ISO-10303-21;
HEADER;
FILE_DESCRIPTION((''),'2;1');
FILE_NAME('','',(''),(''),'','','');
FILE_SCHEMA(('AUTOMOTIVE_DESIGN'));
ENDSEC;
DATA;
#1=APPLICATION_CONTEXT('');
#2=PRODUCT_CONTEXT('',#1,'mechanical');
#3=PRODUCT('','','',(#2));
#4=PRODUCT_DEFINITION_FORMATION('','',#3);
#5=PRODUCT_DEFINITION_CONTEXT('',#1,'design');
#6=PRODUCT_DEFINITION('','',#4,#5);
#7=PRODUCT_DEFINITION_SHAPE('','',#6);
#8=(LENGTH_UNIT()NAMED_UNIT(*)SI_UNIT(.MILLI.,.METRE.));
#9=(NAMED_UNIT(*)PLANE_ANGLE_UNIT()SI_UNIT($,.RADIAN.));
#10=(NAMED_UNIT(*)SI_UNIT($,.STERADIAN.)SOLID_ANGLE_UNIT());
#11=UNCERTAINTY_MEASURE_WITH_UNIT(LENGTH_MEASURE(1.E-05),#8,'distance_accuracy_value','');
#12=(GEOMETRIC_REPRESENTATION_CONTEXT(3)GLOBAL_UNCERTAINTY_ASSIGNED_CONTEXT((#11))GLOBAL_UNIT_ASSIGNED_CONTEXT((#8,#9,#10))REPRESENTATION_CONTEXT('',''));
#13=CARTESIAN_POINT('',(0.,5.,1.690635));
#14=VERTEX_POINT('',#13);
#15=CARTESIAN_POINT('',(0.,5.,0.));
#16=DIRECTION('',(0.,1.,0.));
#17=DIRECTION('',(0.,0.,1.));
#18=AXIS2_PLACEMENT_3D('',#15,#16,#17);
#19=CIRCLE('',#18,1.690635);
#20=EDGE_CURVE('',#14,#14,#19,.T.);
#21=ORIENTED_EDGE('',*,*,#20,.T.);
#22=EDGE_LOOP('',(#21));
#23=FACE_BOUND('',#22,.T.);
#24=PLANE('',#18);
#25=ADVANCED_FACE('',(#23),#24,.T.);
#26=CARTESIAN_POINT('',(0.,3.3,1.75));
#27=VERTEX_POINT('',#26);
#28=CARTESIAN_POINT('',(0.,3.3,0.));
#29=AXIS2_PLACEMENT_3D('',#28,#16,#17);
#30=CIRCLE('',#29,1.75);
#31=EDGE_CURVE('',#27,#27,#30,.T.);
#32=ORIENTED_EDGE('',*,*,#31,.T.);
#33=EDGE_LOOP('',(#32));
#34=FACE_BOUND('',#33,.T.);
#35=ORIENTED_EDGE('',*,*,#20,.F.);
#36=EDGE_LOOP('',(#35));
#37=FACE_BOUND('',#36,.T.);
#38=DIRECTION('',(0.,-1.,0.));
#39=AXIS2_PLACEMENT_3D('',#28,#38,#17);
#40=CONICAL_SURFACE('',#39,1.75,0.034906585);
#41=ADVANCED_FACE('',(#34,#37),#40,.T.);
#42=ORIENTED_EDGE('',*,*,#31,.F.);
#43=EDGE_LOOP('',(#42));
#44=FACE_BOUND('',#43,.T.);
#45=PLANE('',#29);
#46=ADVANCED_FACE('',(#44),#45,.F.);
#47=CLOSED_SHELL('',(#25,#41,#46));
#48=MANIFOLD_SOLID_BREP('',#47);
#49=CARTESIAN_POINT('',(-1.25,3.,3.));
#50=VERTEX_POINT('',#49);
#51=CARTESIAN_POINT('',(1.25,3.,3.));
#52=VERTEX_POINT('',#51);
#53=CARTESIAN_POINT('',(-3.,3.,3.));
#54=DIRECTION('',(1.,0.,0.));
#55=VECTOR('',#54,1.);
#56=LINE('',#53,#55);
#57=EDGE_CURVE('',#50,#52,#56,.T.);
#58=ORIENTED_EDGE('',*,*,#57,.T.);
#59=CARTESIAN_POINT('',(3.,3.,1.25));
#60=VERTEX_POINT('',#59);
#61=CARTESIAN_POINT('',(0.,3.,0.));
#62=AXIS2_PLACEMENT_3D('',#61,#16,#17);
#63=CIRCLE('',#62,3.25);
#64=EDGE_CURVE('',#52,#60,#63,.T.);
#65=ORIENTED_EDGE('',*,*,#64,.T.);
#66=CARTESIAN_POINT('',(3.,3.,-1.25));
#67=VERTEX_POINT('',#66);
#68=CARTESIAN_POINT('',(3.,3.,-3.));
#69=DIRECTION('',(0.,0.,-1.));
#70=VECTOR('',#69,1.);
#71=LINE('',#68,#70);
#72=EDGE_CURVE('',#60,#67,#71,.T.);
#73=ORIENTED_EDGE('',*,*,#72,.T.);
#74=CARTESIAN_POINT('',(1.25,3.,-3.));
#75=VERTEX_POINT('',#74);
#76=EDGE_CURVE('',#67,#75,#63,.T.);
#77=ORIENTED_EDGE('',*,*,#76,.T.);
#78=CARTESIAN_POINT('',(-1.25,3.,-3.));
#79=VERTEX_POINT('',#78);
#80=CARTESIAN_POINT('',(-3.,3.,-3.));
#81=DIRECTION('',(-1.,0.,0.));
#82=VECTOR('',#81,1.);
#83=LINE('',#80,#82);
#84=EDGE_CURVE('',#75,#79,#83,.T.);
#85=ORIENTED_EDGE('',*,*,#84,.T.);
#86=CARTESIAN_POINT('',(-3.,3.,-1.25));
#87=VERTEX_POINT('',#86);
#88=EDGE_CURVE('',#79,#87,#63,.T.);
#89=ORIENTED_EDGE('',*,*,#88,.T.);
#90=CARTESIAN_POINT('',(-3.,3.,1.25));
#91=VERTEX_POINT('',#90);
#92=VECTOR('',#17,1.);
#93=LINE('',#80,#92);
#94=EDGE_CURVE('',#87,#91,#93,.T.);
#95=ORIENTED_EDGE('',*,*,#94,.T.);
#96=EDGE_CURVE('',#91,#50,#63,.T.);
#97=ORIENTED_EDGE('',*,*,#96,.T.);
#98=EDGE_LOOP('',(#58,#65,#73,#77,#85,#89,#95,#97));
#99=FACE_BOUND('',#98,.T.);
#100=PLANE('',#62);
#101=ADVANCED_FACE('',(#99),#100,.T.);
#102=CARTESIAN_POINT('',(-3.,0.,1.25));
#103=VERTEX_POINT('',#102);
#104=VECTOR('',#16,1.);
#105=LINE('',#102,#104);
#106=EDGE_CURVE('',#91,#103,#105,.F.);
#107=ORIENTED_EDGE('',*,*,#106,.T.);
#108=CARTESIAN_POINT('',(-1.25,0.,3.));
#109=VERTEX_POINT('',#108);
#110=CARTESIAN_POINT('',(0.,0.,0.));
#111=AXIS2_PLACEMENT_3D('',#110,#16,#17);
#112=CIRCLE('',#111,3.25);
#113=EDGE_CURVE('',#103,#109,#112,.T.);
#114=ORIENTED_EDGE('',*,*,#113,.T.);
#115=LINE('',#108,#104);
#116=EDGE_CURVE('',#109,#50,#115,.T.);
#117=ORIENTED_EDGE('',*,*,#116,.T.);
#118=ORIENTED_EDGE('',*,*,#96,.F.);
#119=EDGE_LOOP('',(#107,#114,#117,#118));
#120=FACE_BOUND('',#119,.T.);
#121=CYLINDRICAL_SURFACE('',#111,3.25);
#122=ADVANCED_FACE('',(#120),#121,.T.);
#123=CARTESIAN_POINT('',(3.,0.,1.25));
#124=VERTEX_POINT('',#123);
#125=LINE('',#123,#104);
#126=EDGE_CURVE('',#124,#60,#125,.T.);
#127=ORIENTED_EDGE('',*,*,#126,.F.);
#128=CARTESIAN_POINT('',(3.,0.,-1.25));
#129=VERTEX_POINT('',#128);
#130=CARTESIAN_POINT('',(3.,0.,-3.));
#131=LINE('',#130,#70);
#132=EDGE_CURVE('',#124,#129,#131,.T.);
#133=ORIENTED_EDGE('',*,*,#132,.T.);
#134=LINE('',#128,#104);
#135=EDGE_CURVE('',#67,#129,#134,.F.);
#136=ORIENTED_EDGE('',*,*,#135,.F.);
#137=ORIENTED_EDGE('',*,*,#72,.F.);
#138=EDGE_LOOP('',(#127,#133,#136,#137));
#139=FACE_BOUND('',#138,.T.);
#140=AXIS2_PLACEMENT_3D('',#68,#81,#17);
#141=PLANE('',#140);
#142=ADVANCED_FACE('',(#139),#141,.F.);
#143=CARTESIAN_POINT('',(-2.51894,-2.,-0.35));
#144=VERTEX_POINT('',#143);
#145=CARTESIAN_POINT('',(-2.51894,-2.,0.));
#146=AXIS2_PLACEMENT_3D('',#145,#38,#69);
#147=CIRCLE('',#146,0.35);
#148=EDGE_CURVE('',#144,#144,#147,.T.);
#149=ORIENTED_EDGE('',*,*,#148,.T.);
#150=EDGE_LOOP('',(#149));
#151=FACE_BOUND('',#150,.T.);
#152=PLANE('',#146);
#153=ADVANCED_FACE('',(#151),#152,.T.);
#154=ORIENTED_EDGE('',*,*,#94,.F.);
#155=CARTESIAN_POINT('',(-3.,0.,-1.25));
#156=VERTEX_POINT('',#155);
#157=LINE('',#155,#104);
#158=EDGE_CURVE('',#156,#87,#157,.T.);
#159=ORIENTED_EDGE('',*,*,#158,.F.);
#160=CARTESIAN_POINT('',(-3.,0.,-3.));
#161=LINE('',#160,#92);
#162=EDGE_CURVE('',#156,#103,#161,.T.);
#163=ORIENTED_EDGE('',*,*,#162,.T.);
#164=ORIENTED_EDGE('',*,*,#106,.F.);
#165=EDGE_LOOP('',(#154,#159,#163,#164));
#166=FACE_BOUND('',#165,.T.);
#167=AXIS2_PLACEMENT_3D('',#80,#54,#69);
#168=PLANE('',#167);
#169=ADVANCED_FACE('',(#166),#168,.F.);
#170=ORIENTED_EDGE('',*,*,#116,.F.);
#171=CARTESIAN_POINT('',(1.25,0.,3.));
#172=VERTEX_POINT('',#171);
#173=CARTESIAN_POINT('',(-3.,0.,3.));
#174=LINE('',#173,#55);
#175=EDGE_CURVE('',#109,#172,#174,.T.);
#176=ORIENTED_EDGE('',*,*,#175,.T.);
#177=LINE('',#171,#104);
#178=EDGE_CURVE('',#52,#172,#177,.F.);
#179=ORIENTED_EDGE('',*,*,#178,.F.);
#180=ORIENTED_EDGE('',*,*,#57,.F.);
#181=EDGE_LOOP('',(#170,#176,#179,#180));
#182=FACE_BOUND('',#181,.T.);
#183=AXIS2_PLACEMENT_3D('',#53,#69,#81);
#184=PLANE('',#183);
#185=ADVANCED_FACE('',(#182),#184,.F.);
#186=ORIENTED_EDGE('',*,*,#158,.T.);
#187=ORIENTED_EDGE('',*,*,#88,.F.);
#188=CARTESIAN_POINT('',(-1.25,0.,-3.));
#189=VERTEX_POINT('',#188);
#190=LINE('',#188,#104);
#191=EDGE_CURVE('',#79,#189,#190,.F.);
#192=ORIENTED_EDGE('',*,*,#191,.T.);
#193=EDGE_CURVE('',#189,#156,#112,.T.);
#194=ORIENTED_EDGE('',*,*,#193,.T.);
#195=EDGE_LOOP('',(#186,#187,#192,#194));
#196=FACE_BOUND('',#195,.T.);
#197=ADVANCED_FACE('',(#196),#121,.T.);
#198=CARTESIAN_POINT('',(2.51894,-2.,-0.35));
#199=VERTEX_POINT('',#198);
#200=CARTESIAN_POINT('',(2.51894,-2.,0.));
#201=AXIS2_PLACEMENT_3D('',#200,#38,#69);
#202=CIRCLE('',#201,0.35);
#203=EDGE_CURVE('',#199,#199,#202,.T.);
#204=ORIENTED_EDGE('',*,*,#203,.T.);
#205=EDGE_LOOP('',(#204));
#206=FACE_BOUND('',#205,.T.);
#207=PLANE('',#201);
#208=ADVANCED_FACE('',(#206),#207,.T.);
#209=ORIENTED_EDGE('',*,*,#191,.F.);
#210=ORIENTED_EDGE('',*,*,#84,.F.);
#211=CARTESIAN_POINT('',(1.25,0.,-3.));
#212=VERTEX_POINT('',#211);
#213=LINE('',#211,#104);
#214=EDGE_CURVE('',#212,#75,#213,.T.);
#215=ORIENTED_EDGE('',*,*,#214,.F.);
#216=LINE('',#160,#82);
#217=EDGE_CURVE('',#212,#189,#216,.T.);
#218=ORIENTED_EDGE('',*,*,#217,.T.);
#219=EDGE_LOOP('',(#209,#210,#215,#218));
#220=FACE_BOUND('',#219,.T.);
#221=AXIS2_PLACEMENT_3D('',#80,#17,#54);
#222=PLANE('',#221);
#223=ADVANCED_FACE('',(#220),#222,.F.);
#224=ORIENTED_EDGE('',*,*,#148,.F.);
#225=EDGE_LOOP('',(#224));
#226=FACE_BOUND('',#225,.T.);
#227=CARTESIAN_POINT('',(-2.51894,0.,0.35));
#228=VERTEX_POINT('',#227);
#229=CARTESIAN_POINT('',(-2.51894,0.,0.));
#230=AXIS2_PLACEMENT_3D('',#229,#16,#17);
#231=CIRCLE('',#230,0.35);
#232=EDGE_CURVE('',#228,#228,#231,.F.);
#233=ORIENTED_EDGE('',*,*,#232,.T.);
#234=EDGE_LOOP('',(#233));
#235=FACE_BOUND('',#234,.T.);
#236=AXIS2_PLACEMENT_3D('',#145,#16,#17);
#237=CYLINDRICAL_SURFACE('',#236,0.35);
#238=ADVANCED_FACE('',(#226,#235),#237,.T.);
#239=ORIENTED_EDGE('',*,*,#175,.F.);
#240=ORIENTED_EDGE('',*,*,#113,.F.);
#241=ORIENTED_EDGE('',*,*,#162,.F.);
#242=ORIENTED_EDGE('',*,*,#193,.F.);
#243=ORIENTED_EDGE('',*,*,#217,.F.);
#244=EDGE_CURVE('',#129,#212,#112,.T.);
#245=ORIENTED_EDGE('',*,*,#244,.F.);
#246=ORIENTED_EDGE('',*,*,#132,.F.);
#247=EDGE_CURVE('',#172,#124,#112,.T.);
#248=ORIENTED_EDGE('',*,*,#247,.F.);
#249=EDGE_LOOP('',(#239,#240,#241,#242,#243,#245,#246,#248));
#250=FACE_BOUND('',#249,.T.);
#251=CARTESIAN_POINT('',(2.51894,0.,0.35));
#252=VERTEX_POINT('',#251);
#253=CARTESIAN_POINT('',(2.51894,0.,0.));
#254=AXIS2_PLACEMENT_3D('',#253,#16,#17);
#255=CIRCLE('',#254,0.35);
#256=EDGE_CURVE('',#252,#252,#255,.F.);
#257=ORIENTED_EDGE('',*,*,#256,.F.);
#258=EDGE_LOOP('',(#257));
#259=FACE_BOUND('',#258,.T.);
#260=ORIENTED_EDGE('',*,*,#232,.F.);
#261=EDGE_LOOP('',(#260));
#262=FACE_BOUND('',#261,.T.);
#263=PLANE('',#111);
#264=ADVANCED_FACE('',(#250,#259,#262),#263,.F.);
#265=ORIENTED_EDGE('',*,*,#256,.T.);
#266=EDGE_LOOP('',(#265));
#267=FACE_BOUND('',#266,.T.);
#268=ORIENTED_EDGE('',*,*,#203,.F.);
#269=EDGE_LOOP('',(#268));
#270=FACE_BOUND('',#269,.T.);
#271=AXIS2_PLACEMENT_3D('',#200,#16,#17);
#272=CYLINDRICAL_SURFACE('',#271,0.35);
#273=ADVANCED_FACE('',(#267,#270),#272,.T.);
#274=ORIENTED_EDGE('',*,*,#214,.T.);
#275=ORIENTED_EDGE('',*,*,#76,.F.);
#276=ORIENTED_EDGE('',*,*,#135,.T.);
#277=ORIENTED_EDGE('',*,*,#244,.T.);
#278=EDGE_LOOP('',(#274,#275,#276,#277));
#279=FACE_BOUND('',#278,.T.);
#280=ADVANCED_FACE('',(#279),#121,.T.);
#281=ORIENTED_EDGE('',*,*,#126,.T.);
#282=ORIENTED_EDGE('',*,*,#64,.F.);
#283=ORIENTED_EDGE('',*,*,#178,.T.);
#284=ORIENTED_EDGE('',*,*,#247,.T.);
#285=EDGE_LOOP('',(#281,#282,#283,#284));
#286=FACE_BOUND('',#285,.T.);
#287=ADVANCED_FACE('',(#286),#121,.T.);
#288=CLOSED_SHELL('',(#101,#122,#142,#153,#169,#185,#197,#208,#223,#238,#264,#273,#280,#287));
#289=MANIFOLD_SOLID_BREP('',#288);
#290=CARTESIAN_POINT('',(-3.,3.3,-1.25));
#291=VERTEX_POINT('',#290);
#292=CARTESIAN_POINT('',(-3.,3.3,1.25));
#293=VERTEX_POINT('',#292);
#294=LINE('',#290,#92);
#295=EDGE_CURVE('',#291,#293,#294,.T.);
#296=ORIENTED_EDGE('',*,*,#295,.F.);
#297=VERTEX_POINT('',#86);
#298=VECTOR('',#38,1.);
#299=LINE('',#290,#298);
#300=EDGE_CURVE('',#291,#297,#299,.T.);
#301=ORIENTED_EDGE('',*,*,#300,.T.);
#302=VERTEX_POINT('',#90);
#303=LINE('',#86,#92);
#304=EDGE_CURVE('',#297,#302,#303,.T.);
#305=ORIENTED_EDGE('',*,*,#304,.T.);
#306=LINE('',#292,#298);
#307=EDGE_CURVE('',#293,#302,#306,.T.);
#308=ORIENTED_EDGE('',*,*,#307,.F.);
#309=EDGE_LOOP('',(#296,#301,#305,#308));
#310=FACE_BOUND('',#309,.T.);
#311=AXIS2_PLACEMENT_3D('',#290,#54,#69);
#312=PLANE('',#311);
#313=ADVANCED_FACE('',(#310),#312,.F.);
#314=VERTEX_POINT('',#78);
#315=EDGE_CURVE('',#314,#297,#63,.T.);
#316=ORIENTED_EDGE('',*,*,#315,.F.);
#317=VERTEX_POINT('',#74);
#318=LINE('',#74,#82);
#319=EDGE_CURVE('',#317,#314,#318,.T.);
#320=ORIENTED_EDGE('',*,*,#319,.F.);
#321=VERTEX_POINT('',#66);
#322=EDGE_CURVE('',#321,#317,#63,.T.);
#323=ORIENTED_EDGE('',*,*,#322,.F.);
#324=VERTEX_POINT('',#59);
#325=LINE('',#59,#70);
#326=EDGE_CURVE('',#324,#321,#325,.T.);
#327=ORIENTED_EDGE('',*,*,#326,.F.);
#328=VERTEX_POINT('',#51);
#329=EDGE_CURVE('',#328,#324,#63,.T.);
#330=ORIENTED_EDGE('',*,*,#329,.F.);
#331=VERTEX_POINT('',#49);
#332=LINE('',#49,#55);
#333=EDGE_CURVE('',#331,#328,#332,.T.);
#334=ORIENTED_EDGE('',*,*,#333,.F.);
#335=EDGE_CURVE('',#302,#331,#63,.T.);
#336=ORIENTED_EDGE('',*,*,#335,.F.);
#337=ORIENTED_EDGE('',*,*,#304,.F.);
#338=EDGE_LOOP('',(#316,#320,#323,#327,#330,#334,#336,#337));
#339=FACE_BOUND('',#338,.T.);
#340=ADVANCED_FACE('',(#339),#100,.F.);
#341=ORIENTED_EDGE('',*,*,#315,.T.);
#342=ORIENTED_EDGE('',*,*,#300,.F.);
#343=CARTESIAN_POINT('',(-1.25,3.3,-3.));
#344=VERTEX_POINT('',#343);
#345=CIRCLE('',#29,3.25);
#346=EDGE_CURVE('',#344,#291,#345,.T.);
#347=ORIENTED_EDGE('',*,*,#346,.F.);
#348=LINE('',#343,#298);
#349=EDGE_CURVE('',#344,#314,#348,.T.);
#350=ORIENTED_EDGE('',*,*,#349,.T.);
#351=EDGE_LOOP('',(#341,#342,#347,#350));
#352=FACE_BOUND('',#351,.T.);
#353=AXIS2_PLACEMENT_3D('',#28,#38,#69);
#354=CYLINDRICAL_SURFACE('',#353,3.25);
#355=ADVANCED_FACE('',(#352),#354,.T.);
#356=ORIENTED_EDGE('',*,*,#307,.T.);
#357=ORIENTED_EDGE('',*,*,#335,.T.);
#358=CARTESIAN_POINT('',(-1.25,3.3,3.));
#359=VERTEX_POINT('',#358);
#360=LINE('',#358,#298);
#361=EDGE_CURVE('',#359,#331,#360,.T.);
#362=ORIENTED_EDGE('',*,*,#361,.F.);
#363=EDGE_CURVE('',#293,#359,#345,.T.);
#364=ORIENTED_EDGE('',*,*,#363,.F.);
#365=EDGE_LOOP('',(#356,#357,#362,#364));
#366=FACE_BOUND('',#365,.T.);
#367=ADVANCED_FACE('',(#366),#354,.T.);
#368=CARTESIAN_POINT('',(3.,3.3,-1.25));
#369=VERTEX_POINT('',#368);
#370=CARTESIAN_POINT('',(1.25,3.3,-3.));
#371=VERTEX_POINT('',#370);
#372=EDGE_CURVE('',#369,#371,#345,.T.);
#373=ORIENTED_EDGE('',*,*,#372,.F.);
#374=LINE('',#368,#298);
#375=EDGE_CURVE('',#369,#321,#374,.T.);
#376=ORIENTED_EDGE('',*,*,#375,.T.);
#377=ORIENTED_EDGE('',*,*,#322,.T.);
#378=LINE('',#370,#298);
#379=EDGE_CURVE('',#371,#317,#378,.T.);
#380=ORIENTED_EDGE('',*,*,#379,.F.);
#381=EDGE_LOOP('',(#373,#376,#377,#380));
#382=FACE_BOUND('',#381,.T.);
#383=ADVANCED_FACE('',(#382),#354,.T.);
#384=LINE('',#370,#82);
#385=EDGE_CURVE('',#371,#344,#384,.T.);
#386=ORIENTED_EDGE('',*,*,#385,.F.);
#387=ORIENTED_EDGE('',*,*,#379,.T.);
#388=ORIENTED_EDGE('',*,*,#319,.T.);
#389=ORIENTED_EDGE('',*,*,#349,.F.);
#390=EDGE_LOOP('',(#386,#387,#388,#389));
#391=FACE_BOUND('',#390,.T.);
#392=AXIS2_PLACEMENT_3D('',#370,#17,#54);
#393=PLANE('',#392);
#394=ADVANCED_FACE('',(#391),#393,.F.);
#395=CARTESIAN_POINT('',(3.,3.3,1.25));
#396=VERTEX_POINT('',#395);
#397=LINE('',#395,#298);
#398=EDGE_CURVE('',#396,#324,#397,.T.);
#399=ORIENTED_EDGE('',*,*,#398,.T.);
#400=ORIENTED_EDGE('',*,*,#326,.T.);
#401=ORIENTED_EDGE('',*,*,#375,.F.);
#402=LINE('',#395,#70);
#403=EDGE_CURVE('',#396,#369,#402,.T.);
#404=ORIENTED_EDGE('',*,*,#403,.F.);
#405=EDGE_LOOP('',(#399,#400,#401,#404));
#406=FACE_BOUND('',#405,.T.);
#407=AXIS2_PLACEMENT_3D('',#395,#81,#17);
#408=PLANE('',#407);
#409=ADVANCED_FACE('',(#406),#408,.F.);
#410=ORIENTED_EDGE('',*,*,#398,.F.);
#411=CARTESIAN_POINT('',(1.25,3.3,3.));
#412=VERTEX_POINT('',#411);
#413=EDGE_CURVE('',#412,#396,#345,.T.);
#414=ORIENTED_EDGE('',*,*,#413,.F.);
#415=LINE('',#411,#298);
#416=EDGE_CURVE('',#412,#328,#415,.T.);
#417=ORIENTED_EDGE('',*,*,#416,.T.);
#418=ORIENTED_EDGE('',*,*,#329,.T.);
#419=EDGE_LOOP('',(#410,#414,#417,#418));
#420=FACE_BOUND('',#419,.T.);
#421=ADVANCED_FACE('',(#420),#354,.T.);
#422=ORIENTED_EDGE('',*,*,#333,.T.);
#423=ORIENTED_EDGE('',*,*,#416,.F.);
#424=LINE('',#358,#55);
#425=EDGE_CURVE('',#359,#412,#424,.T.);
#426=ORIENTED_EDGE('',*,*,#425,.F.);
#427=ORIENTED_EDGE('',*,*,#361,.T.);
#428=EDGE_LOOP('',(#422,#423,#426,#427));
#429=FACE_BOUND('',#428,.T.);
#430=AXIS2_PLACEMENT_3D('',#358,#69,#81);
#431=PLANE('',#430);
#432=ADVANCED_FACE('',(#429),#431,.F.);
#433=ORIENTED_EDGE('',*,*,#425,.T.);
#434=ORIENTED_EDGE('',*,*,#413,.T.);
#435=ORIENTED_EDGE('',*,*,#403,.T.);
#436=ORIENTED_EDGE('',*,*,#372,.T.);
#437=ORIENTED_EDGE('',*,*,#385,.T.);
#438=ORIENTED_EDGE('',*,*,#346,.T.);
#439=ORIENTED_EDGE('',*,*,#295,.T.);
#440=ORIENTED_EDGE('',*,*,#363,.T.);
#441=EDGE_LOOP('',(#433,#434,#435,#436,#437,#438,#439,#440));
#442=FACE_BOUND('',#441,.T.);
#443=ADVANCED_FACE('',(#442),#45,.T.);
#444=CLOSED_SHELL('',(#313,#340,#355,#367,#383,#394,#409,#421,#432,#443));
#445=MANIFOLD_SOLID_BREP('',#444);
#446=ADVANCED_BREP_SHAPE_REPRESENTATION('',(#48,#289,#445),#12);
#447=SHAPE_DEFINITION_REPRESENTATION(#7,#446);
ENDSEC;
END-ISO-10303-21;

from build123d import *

# Parameters (mm, degrees)
SCHIZZO1_W                   = 6
SCHIZZO1_H                   = 6
ESTRUSIONE_ESTRUSIONE1_DEPTH = 3
SCHIZZO2_OUTSIDE_W           = 9.8
SCHIZZO2_OUTSIDE_H           = 9.8
SCHIZZO2_OUTSIDE_R           = 3.25
TAGLIO_ESTRUSIONE1_DEPTH     = 6.196152423
SCHIZZO3_R                   = 0.35
ESTRUSIONE_ESTRUSIONE2_DEPTH = 2
ESTRUSIONE_ESTRUSIONE3_DEPTH = 0.3
SCHIZZO5_R                   = 1.75
ESTRUSIONE_ESTRUSIONE4_DEPTH = 1.7
ESTRUSIONE_ESTRUSIONE4_TAPER = 2


with BuildPart() as part:
    # Schizzo1 → Estrusione-Estrusione1 (new body)
    with BuildSketch(Plane(origin=(0, 0, 0), x_dir=(1, 0, 0), z_dir=(0, 1, 0))):
        Rectangle(SCHIZZO1_W, SCHIZZO1_H)
    extrude(amount=ESTRUSIONE_ESTRUSIONE1_DEPTH)

    # Schizzo2 outside → Taglio-Estrusione1 (cut, through all)
    with BuildSketch(Plane(origin=(0, 3, 0), x_dir=(1, 0, 0), z_dir=(0, 1, 0))):
        Rectangle(SCHIZZO2_OUTSIDE_W, SCHIZZO2_OUTSIDE_H)
        Circle(SCHIZZO2_OUTSIDE_R, mode=Mode.SUBTRACT)
    extrude(amount=-TAGLIO_ESTRUSIONE1_DEPTH, mode=Mode.SUBTRACT)

    # Schizzo3 → Estrusione-Estrusione2 (add)
    with BuildSketch(Plane.XZ):
        with Locations(Location((-2.518939755, 0, 0), (0, 0, 90))):
            Circle(SCHIZZO3_R)
        with Locations(Location((2.518939755, 0, 0), (0, 0, 90))):
            Circle(SCHIZZO3_R)
    extrude(amount=ESTRUSIONE_ESTRUSIONE2_DEPTH)


with BuildPart() as body_2:
    # Schizzo4 → Estrusione-Estrusione3 (new body)
    with BuildSketch(Plane(origin=(0, 3, 0), x_dir=(1, 0, 0), z_dir=(0, 1, 0))):
        with BuildLine():
            Line((-1.25, -3), (1.25, -3))
            ThreePointArc((1.25, -3), (2.298097039, -2.298097039), (3, -1.25))
            Line((3, -1.25), (3, 1.25))
            ThreePointArc((3, 1.25), (2.298097039, 2.298097039), (1.25, 3))
            Line((1.25, 3), (-1.25, 3))
            ThreePointArc((-1.25, 3), (-2.298097039, 2.298097039), (-3, 1.25))
            Line((-3, 1.25), (-3, -1.25))
            ThreePointArc((-3, -1.25), (-2.298097039, -2.298097039), (-1.25, -3))
        make_face()
    extrude(amount=ESTRUSIONE_ESTRUSIONE3_DEPTH)


with BuildPart() as body_3:
    # Schizzo5 → Estrusione-Estrusione4 (new body)
    with BuildSketch(Plane(origin=(0, 3.3, 0), x_dir=(1, 0, 0), z_dir=(0, 1, 0))):
        Circle(SCHIZZO5_R)
    extrude(amount=ESTRUSIONE_ESTRUSIONE4_DEPTH, taper=ESTRUSIONE_ESTRUSIONE4_TAPER)


solid = Compound([part.part, body_2.part, body_3.part])
